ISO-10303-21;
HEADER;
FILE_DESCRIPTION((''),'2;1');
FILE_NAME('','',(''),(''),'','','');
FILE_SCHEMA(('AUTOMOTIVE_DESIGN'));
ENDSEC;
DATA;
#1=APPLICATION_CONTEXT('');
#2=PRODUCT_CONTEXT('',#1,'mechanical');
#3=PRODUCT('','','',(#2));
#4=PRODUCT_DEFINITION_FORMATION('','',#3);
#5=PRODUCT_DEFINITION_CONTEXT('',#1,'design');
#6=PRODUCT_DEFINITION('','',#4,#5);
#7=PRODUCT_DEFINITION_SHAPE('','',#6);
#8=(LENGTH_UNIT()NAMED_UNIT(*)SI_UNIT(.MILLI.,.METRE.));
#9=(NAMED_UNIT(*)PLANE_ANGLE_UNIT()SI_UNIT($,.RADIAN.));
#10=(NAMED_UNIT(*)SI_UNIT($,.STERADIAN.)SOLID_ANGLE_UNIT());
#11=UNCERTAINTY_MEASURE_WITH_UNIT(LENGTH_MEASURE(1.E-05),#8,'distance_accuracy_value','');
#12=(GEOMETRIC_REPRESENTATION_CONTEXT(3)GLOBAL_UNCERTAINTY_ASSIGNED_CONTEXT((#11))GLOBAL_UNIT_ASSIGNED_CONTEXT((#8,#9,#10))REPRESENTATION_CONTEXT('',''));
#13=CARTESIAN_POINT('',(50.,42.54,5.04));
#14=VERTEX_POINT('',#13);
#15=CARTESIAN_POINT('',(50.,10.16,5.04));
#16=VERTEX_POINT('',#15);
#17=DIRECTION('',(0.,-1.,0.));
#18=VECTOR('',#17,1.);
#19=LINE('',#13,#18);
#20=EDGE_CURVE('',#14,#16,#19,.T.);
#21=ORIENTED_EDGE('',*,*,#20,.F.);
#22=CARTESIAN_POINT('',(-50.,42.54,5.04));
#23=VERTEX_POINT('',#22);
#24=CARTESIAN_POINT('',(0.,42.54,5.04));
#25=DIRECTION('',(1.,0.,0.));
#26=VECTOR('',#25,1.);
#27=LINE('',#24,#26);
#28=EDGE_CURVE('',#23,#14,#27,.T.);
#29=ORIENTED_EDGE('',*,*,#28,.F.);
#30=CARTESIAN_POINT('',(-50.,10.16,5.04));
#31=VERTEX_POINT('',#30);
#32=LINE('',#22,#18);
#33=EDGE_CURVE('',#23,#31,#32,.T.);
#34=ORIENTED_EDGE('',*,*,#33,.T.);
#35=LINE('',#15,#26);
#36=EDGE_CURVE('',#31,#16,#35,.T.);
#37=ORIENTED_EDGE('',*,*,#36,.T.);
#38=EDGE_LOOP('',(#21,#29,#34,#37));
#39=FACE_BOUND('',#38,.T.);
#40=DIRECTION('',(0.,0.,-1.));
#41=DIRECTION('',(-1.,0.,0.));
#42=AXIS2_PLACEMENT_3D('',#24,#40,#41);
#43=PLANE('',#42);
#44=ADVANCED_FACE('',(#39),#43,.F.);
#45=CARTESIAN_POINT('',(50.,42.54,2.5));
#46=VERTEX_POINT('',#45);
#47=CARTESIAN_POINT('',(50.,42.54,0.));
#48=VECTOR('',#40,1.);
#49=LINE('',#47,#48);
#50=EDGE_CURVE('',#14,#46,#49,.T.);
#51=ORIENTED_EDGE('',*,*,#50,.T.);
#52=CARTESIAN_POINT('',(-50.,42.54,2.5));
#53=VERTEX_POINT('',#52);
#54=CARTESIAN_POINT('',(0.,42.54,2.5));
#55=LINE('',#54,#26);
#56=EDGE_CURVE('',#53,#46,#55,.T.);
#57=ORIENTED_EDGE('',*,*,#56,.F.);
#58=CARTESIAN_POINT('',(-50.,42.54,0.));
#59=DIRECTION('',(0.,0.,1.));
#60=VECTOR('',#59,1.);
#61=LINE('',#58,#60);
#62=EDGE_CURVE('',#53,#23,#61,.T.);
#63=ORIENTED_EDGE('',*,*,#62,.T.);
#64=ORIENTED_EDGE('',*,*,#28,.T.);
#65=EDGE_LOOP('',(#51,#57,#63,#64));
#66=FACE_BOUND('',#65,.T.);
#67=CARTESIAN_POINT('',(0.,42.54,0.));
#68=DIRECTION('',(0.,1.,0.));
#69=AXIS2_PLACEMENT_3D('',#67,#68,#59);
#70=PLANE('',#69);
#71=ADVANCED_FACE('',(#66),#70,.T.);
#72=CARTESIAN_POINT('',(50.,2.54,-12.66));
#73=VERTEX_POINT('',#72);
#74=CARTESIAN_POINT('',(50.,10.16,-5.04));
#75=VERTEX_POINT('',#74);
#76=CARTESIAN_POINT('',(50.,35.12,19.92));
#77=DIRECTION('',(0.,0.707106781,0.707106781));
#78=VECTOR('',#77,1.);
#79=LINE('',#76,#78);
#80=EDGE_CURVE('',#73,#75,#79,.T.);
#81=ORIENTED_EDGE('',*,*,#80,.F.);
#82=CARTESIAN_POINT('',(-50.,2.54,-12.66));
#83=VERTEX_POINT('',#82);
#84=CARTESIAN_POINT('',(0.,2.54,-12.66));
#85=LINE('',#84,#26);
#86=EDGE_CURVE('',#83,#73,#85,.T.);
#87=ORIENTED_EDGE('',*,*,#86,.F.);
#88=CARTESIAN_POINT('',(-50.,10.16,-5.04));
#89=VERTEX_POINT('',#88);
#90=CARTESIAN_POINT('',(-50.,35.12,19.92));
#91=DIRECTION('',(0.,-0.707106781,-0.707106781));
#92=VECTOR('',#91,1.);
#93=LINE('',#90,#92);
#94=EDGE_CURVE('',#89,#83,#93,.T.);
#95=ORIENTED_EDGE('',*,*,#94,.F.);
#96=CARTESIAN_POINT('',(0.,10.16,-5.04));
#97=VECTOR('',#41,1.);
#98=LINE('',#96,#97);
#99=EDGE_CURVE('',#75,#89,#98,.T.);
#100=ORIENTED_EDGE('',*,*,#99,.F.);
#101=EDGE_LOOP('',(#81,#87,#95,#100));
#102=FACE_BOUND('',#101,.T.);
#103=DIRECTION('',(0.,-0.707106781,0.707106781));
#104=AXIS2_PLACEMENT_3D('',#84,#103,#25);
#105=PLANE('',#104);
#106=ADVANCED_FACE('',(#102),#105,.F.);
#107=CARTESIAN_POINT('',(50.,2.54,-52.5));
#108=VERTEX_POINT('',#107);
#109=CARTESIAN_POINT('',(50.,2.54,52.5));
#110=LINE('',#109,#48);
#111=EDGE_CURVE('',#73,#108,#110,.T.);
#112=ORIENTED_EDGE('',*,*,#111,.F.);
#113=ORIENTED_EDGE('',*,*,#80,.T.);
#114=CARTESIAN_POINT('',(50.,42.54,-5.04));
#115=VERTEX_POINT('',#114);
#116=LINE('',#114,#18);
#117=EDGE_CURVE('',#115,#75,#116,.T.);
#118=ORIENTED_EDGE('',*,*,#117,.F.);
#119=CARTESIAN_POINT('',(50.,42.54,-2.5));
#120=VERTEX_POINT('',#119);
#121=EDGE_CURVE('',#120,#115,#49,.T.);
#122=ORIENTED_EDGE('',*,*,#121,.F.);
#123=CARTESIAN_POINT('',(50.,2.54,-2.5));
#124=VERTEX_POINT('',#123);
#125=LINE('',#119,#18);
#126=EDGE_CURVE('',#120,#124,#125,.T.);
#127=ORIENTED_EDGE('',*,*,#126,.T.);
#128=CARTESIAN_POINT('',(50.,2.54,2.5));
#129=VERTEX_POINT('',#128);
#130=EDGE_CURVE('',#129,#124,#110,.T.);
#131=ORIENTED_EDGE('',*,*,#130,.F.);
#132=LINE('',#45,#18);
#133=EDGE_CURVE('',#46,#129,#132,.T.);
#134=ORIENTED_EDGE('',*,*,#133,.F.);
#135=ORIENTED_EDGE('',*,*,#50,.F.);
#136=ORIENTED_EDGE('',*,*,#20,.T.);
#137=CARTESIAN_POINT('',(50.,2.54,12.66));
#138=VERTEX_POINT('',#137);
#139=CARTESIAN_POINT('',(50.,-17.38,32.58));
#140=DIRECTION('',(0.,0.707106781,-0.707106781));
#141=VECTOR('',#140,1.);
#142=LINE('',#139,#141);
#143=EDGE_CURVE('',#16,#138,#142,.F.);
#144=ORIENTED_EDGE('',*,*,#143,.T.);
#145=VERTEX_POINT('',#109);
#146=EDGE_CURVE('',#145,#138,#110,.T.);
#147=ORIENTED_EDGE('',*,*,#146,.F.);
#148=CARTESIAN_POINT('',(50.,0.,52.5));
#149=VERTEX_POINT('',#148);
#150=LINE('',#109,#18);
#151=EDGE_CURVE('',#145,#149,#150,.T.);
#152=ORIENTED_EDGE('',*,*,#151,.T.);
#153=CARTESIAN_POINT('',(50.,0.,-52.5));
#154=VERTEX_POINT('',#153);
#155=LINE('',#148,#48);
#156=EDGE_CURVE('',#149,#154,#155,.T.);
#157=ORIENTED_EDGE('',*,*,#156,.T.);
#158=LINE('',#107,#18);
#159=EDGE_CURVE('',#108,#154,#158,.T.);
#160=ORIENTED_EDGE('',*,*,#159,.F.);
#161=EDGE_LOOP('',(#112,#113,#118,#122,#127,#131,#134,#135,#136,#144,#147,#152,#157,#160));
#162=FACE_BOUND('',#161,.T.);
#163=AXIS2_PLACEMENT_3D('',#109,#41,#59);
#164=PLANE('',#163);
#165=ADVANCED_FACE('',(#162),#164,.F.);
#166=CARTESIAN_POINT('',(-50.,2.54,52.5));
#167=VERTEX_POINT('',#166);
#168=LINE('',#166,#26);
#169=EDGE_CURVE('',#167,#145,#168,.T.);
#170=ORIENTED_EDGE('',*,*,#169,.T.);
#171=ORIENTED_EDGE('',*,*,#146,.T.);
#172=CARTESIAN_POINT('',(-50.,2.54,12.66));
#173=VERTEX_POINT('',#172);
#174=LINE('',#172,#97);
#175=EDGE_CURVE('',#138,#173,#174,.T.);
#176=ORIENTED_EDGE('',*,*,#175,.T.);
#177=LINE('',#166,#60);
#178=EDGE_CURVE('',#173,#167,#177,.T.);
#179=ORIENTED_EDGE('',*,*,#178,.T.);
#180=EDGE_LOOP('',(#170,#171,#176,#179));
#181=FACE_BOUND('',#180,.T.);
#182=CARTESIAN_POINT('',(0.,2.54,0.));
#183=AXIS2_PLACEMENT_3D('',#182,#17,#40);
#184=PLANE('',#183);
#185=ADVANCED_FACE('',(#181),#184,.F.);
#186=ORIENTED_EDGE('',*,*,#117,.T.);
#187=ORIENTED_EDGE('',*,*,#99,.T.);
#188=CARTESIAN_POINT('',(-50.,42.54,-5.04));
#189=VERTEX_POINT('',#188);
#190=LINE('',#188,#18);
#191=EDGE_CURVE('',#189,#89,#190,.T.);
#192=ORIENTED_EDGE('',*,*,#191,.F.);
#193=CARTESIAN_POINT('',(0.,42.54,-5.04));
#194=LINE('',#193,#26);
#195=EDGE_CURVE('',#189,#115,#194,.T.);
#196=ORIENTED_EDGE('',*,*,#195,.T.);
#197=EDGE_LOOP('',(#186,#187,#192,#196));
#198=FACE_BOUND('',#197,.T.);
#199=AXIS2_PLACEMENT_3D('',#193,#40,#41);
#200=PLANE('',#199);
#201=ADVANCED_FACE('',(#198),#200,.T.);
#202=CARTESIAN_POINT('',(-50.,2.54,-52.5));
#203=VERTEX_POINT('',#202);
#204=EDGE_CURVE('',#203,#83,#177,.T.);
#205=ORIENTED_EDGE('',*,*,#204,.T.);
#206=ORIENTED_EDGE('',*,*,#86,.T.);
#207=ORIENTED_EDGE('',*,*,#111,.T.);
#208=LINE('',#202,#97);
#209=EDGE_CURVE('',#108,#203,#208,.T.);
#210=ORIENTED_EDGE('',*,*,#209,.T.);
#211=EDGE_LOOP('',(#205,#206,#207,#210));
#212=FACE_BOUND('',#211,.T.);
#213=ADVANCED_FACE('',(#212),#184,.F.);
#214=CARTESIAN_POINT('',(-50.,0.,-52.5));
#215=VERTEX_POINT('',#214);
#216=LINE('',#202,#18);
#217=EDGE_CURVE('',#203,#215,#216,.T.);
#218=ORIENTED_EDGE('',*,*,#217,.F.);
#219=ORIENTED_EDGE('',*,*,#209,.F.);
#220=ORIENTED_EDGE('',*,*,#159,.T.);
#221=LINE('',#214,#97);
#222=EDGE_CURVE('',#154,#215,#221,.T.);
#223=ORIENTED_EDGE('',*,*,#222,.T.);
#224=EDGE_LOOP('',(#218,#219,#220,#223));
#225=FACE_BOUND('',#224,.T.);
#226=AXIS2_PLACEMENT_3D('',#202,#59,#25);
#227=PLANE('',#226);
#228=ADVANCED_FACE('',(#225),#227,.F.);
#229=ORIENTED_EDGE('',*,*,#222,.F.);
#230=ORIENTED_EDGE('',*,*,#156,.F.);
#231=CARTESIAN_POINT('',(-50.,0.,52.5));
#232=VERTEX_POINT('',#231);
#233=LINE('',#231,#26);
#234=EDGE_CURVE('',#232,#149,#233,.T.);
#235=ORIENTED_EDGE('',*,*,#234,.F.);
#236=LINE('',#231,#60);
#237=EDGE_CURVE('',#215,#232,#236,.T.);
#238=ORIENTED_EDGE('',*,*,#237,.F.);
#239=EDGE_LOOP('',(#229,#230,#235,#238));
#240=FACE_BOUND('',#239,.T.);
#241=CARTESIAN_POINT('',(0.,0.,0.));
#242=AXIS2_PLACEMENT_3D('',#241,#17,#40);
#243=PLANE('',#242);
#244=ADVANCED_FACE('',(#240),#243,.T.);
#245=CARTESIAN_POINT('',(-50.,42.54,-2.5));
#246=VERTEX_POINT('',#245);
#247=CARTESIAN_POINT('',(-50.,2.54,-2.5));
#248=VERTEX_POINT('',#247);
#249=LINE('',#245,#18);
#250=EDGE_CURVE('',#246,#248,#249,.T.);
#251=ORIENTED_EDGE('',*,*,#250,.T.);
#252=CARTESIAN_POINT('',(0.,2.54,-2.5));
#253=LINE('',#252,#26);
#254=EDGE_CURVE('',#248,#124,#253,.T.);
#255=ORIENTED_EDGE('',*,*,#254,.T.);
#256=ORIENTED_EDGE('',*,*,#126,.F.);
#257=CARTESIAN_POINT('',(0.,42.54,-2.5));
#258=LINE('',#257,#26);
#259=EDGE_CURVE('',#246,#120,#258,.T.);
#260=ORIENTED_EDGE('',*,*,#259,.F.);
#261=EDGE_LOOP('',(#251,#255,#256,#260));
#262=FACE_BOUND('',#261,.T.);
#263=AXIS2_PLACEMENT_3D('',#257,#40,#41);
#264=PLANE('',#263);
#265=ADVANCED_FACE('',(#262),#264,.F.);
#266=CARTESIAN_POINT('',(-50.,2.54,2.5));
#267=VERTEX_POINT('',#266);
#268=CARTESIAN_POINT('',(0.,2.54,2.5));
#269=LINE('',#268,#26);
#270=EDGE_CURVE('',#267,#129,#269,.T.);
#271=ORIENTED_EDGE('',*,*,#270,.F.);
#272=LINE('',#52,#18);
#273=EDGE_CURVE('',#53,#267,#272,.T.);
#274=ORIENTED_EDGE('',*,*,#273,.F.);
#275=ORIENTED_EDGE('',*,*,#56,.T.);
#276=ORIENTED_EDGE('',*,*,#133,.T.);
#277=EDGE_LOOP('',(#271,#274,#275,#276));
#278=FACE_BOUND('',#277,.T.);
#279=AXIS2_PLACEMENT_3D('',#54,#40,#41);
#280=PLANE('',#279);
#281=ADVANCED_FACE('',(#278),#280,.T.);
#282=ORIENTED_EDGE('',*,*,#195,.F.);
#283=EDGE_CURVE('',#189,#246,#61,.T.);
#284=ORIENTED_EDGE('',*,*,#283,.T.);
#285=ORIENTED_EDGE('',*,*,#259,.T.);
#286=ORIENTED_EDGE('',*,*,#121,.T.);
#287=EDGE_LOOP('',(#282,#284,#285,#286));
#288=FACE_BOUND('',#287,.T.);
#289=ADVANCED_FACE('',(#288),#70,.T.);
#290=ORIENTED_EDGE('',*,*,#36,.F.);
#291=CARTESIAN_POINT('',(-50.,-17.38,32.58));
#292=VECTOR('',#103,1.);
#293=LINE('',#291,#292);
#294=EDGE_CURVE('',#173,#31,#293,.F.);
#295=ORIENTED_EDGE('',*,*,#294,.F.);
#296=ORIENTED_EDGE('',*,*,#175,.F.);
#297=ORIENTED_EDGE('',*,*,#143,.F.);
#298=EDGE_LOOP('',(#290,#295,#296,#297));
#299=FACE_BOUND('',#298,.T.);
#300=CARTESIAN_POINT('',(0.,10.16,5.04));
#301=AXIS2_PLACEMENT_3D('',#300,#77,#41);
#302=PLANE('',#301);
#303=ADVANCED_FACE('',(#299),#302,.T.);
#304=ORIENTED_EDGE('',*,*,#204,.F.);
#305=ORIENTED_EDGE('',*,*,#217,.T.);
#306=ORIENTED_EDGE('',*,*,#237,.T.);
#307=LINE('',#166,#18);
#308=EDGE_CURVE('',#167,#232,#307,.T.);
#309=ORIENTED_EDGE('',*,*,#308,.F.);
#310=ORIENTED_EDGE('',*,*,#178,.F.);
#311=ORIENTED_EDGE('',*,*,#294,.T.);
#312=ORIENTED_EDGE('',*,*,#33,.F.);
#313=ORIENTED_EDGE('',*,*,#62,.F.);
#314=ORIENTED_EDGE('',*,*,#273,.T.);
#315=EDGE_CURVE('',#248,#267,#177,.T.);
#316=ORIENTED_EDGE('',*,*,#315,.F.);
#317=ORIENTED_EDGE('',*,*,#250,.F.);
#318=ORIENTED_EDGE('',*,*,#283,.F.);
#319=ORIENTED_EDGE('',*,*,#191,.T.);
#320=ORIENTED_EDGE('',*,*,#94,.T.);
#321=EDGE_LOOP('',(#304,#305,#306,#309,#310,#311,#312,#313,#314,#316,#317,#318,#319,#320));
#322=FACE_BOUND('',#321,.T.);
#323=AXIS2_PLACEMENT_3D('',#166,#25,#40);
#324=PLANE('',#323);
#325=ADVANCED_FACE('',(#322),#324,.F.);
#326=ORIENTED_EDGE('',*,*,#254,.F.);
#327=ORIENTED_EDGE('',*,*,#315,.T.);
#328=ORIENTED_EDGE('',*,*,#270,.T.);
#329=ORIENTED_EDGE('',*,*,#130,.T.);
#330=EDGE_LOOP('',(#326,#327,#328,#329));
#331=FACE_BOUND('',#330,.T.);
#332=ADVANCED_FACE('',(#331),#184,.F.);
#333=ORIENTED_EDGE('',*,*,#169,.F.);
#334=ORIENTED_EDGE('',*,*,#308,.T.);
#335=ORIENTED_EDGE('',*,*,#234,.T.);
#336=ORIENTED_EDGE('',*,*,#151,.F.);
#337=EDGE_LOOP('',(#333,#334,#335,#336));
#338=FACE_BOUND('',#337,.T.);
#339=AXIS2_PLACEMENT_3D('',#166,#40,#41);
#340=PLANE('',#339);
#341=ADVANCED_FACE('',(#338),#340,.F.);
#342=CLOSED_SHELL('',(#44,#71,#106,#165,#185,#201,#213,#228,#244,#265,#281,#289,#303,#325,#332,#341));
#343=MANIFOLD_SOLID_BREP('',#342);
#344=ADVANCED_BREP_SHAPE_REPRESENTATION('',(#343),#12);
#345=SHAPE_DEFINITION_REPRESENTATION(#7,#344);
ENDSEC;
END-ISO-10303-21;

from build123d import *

# Parameters (mm, degrees)
SKETCH1_W           = 100
SKETCH1_H           = 105
BOSS_EXTRUDE1_DEPTH = 2.54
SKETCH2_W           = 100
SKETCH2_H           = 2.54
BOSS_EXTRUDE2_DEPTH = 40
CHAMFER1_SIZE       = 7.62


with BuildPart() as part:
    # Sketch1 → Boss-Extrude1 (new body)
    with BuildSketch(Plane(origin=(0, 0, 0), x_dir=(1, 0, 0), z_dir=(0, 1, 0))):
        Rectangle(SKETCH1_W, SKETCH1_H)
    extrude(amount=BOSS_EXTRUDE1_DEPTH)

    # Sketch2 → Boss-Extrude2 (add)
    with BuildSketch(Plane(origin=(0, 2.54, 0), x_dir=(1, 0, 0), z_dir=(0, 1, 0))):
        with Locations((0, 3.77)):
            Rectangle(SKETCH2_W, SKETCH2_H)
        with Locations((0, -3.77)):
            Rectangle(SKETCH2_W, SKETCH2_H)
    extrude(amount=BOSS_EXTRUDE2_DEPTH)

    # Chamfer1
    chamfer1_edges = [part.edges().sort_by_distance(p)[0] for p in [
        (0, 2.54, -5.04),
        (0, 2.54, 5.04),
    ]]
    chamfer(chamfer1_edges, length=CHAMFER1_SIZE)


solid = part.part
